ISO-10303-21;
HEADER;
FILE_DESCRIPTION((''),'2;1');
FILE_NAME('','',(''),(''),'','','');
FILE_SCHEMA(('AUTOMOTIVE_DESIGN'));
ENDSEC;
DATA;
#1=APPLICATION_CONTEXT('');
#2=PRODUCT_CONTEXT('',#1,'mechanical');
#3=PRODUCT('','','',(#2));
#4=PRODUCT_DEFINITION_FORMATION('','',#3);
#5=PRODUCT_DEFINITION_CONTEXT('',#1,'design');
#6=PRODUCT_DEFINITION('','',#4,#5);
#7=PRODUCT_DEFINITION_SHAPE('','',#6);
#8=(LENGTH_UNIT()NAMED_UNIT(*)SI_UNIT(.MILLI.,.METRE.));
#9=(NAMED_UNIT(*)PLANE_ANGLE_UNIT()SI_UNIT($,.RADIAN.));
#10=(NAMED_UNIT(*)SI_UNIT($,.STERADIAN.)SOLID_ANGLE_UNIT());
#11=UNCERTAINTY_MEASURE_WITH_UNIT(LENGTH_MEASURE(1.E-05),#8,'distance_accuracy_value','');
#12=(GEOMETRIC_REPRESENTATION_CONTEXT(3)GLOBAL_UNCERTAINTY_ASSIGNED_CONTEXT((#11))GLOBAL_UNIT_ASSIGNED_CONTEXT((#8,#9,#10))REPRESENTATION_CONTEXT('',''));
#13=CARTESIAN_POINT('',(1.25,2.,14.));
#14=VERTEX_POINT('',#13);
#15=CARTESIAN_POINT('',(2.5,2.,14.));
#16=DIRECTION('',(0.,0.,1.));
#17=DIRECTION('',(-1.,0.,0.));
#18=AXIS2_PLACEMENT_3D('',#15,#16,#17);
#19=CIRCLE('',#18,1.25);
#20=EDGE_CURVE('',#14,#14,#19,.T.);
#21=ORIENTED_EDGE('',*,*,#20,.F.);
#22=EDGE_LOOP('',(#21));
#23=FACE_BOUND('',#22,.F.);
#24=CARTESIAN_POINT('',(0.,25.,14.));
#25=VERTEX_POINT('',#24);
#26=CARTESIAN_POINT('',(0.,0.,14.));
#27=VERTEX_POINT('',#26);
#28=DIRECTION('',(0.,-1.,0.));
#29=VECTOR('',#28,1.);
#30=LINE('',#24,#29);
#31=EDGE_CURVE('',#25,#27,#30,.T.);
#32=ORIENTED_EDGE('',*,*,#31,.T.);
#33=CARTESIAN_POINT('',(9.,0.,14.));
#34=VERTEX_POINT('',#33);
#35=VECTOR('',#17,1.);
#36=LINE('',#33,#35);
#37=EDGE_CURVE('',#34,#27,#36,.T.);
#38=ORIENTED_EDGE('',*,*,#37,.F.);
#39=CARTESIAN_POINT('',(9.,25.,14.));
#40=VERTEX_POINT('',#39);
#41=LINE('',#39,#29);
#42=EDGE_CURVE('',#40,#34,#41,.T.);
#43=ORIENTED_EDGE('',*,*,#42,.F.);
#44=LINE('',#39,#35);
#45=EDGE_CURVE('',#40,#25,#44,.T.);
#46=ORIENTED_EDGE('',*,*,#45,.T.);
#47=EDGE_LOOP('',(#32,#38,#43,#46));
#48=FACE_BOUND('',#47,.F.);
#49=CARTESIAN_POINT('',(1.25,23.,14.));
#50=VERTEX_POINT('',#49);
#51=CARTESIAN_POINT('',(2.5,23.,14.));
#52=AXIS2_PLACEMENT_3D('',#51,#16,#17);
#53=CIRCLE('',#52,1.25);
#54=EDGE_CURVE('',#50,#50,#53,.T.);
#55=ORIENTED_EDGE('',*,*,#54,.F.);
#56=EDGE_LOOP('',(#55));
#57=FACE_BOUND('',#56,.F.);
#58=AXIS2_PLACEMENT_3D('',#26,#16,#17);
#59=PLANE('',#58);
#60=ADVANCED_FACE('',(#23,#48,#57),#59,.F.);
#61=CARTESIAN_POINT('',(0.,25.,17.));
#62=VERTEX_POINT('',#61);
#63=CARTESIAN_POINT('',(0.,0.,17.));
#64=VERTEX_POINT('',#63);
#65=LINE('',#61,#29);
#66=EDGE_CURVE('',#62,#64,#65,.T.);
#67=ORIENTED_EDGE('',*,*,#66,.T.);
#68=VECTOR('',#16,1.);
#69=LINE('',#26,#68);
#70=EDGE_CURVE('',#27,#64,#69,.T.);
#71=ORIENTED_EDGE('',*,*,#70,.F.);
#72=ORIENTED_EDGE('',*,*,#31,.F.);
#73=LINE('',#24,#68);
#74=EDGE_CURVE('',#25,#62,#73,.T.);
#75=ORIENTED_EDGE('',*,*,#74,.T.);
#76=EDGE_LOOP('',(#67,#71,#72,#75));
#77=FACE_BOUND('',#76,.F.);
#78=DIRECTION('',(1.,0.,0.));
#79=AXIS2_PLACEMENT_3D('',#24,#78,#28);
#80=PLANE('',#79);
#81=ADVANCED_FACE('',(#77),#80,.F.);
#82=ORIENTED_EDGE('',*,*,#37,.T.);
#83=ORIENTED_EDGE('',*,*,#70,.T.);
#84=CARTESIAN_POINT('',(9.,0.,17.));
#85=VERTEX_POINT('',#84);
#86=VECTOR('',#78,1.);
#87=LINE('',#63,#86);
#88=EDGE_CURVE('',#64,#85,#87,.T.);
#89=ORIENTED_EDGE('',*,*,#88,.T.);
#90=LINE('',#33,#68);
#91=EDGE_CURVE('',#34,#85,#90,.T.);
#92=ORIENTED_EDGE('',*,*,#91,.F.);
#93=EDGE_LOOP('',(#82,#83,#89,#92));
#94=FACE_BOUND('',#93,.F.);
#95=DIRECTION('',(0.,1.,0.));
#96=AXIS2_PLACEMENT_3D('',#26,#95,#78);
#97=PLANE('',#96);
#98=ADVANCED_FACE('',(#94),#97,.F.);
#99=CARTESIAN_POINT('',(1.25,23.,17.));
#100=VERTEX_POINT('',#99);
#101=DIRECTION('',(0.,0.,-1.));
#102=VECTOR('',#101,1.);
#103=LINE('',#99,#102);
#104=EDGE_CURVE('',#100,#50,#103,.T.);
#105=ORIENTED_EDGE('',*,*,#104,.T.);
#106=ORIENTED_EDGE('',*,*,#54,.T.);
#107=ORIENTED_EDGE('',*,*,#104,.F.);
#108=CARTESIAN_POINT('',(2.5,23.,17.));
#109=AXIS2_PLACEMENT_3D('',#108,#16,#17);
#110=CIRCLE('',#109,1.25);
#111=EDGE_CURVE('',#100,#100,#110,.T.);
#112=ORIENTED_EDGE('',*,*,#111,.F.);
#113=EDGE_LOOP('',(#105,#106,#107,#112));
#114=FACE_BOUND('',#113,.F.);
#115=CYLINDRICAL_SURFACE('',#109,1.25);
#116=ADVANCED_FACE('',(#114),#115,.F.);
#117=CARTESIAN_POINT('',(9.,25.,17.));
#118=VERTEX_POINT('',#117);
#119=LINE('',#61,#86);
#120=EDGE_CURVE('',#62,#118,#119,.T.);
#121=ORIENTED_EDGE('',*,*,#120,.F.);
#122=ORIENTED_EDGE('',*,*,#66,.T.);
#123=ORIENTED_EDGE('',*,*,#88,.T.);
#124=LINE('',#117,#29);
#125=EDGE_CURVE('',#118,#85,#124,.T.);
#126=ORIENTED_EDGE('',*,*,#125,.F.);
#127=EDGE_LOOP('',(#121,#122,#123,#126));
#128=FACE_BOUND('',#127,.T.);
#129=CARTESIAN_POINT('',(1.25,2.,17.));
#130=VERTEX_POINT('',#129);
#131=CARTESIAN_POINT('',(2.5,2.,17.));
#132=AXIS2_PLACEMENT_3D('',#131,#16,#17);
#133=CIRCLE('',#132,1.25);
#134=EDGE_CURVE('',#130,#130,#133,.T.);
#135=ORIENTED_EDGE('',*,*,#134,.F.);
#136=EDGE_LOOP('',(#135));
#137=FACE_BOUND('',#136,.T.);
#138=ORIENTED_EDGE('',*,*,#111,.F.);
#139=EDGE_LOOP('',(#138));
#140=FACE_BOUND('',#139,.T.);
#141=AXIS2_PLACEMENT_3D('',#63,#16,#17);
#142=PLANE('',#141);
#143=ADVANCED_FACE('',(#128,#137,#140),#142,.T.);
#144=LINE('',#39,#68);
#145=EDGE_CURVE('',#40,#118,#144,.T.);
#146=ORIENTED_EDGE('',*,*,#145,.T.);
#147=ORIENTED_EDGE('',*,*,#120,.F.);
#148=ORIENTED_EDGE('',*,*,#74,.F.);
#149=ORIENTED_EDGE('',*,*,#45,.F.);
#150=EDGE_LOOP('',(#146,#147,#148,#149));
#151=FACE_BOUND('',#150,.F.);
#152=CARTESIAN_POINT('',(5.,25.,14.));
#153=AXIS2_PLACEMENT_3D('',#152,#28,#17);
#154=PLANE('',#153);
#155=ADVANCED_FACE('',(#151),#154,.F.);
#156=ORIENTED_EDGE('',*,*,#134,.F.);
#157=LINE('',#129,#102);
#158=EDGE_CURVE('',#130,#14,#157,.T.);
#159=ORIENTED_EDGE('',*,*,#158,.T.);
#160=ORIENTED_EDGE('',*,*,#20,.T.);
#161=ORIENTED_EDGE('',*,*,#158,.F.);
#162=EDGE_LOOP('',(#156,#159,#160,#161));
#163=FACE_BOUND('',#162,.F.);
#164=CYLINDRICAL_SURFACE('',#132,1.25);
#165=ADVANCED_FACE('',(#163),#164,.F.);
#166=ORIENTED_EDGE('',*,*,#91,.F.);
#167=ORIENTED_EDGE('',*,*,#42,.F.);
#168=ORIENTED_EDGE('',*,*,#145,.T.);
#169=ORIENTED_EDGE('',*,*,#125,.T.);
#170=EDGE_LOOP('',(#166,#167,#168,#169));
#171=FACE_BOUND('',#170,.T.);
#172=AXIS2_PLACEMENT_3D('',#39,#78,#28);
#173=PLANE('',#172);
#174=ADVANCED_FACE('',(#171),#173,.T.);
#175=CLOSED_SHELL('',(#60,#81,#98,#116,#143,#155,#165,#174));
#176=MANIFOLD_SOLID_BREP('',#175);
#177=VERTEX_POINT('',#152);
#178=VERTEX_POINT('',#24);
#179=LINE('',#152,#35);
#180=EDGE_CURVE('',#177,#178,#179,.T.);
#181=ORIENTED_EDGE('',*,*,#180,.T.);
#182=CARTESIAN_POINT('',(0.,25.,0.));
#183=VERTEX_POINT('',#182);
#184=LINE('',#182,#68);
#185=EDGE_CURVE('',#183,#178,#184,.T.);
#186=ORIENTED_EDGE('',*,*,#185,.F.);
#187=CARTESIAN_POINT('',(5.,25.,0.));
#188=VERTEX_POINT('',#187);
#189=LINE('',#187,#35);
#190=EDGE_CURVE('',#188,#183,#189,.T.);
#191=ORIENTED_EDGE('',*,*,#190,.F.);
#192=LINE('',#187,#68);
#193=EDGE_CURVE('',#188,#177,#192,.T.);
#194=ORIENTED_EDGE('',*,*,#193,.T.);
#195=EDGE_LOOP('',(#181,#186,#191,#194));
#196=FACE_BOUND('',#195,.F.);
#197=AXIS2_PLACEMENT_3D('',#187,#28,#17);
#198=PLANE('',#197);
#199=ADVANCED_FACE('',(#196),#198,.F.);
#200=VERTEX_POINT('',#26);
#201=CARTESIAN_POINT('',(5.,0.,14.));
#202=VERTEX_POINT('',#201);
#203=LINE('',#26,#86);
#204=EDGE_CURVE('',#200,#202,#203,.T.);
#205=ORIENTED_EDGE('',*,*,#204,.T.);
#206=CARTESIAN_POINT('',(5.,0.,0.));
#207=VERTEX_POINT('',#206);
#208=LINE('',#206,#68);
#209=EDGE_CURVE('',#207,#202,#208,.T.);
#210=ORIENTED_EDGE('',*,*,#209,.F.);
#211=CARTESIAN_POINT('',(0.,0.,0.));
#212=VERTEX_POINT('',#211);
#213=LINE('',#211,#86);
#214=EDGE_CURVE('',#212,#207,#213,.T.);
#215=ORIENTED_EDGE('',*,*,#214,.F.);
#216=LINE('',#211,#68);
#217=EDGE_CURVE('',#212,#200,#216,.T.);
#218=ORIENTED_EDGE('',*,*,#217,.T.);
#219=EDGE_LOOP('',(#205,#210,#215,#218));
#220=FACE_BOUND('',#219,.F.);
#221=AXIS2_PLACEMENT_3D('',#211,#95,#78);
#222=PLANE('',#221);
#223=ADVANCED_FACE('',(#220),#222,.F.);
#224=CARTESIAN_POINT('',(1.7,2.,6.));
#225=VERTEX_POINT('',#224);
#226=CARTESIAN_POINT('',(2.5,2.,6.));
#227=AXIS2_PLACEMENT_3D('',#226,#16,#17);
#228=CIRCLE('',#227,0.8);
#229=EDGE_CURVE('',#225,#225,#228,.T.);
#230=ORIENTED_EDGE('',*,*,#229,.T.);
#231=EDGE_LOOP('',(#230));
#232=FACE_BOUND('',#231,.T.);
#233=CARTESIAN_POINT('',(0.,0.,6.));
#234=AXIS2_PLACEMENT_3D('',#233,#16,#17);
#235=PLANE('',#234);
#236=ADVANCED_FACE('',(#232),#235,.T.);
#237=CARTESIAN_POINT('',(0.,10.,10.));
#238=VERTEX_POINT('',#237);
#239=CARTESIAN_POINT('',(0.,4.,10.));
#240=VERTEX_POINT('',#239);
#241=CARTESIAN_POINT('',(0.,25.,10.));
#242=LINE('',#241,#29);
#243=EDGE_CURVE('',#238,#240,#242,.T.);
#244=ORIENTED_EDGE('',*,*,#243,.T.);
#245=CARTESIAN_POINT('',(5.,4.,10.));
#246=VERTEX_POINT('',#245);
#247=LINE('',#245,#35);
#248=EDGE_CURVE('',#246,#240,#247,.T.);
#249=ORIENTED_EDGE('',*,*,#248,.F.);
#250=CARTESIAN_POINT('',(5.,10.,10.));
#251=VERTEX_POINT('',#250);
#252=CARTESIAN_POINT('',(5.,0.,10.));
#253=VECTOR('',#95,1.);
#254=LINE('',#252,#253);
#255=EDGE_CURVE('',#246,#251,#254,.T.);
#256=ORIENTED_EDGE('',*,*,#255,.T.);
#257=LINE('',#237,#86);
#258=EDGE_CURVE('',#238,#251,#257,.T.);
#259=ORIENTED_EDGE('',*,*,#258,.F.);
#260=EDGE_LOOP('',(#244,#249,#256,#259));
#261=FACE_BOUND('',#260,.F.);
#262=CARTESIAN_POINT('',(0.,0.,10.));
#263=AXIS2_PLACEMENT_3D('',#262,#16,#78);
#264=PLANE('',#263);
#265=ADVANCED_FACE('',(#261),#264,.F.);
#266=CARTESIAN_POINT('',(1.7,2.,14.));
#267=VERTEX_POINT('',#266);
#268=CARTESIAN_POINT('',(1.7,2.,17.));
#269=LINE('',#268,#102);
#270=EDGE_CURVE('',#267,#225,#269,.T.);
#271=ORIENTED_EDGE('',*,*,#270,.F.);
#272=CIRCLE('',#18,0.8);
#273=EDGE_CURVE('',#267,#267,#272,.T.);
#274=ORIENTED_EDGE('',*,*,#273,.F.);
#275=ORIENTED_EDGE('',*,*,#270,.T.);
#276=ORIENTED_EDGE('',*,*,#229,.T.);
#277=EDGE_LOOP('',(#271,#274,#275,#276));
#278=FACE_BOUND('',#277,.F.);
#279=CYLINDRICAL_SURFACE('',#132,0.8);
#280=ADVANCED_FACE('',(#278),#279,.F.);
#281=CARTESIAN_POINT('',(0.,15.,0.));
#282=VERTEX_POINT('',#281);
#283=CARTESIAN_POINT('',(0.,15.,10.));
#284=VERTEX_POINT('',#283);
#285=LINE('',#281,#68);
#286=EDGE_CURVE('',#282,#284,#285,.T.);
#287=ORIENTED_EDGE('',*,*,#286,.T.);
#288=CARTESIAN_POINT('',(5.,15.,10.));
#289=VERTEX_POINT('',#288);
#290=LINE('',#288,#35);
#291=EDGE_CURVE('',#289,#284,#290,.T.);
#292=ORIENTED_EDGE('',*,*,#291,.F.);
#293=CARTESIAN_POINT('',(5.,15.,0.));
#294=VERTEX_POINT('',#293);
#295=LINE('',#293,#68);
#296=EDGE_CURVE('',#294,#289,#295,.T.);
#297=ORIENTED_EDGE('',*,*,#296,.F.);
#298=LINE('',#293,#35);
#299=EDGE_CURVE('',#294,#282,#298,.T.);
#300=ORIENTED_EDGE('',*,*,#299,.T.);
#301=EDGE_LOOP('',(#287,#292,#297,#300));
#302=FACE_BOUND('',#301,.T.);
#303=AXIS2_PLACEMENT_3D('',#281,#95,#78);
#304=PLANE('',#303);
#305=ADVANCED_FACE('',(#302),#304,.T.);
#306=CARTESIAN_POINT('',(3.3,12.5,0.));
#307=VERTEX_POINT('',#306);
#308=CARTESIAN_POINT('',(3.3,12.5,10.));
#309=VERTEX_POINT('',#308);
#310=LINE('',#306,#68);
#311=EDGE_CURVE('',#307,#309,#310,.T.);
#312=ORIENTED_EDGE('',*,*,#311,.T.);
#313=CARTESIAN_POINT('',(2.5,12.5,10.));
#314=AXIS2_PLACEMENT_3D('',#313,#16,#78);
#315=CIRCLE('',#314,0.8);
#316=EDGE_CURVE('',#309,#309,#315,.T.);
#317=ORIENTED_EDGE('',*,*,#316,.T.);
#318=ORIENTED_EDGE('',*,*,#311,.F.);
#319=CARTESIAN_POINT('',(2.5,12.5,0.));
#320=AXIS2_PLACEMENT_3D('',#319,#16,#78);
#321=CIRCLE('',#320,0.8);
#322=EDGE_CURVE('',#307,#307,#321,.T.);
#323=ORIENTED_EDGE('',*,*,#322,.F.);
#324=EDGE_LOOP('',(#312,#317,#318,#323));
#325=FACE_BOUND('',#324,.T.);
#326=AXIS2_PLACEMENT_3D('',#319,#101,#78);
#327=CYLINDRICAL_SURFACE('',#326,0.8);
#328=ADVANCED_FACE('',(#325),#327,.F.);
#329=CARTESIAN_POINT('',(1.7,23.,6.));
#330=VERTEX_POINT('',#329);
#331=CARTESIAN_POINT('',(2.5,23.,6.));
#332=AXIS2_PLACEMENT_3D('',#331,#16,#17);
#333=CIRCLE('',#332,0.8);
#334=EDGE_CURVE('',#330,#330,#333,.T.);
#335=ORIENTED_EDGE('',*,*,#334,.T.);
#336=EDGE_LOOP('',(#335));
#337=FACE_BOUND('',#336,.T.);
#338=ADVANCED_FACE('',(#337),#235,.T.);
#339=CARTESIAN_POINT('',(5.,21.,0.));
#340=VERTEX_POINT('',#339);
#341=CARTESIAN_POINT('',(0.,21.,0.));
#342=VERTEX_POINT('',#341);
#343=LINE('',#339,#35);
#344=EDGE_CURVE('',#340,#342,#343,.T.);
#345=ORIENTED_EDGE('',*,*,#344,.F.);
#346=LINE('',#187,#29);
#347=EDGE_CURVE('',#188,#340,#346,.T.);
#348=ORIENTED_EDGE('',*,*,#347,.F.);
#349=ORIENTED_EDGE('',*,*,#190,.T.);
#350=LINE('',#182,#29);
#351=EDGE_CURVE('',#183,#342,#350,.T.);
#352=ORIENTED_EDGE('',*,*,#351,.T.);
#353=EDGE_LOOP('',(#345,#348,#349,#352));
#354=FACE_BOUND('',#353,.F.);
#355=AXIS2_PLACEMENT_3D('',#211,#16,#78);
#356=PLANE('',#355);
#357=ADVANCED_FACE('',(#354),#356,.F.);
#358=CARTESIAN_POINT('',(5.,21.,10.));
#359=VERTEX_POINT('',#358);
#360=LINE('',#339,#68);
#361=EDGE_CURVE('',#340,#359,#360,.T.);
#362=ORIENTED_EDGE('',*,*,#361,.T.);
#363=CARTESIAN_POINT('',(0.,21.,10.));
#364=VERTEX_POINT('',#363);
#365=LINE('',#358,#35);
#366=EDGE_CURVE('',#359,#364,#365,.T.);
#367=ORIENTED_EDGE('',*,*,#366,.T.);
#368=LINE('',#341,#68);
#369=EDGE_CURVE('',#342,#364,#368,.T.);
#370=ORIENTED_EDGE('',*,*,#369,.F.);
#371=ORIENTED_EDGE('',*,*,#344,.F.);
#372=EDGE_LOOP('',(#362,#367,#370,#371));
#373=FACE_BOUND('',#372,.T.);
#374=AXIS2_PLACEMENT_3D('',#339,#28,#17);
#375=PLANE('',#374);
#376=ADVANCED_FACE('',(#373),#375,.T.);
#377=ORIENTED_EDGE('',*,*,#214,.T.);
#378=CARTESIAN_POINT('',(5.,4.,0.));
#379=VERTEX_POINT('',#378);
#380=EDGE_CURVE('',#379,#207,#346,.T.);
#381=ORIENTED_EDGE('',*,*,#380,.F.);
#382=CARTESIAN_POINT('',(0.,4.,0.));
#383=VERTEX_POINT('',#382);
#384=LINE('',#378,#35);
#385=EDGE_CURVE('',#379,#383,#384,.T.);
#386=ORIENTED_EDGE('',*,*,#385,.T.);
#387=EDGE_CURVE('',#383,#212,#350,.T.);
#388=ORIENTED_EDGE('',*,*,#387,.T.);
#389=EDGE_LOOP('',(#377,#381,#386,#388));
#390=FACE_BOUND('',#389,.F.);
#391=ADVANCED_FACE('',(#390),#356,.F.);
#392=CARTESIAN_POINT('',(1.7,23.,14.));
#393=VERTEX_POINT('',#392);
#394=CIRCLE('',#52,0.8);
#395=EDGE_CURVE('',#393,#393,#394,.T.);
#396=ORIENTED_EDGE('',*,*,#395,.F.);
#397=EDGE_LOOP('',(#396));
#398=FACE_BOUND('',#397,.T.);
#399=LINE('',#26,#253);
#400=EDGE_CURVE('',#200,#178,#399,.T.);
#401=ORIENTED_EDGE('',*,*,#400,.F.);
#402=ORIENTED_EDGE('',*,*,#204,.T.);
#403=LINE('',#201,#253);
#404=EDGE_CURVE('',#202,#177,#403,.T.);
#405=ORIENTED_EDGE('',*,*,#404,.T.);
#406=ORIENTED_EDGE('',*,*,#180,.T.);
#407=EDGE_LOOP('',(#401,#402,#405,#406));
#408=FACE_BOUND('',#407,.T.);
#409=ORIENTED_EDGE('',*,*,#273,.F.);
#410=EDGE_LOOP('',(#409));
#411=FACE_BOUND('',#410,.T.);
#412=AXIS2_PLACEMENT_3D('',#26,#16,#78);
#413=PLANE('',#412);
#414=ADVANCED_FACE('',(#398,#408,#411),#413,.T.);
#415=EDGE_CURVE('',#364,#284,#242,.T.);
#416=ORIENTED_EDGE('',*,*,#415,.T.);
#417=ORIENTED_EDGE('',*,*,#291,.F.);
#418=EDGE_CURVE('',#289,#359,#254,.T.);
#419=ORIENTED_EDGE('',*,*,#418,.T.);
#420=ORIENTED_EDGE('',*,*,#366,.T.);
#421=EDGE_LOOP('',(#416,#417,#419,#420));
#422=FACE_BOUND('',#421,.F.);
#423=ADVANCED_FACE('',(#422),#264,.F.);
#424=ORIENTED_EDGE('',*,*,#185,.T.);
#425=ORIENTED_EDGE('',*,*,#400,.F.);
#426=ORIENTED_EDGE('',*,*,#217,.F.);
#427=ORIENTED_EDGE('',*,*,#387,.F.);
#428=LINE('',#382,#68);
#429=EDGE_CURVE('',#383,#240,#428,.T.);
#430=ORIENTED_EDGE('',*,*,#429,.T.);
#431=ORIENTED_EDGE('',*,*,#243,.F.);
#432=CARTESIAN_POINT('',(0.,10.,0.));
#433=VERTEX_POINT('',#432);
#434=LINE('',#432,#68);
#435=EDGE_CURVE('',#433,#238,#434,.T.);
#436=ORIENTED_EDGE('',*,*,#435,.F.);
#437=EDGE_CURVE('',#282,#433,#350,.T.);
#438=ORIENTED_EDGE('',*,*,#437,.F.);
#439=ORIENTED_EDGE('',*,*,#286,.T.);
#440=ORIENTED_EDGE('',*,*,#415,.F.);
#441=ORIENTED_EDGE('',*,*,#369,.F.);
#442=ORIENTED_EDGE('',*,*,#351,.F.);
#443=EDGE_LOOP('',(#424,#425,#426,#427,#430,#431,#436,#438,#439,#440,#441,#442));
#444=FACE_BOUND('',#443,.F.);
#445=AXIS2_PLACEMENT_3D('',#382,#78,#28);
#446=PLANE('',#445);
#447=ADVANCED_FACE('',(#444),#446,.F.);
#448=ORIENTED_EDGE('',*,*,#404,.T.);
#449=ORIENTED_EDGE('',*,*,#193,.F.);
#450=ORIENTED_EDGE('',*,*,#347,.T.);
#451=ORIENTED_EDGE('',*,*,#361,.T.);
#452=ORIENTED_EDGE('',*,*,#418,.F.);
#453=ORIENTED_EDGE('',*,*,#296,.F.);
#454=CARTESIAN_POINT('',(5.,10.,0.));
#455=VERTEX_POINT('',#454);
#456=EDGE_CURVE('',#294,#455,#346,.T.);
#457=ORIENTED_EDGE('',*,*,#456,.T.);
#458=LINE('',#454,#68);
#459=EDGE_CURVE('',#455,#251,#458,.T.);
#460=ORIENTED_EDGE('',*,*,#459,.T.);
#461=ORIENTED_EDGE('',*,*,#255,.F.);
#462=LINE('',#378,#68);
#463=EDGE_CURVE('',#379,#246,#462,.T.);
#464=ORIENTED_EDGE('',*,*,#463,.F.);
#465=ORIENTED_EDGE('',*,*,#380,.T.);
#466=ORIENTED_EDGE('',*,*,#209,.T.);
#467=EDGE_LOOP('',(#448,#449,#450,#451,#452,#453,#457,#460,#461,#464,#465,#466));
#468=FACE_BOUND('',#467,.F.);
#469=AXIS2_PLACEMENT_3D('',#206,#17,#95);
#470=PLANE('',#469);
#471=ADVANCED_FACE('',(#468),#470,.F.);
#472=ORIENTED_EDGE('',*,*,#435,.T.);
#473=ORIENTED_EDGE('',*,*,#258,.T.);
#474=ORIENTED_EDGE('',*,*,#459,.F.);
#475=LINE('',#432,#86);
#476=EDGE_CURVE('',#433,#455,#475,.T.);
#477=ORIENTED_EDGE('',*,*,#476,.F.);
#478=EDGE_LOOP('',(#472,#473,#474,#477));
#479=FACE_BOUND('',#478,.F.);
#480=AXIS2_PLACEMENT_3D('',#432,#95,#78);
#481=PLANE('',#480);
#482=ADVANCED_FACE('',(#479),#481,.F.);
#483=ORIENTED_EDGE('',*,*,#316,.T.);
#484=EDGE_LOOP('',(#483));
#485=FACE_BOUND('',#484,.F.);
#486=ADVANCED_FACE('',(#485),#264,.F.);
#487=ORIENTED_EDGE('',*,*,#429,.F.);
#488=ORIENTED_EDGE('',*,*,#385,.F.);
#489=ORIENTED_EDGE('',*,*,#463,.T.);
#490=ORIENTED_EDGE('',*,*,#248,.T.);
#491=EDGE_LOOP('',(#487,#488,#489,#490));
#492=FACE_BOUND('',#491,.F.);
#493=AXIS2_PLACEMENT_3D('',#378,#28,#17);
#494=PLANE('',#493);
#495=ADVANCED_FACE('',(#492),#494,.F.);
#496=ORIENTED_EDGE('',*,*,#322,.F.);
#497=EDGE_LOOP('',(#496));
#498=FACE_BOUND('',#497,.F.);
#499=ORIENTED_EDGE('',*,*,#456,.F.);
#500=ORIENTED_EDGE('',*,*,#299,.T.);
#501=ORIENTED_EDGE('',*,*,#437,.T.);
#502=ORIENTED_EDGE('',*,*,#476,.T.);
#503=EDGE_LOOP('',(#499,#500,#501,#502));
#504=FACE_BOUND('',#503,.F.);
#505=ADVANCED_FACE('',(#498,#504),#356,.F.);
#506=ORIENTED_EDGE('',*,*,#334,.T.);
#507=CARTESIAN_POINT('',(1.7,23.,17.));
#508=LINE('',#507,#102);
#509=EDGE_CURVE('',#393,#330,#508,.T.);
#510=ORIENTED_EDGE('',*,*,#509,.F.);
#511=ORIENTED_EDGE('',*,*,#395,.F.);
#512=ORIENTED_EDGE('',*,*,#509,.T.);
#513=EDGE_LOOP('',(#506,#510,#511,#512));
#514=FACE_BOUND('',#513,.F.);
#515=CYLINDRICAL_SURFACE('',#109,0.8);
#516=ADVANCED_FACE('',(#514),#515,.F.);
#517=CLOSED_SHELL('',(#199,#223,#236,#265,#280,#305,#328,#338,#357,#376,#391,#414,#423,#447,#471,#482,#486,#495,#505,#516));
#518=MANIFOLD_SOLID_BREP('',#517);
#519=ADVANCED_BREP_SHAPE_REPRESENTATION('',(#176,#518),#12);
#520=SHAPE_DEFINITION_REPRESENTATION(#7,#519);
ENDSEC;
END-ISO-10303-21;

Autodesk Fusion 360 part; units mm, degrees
sketch "Sketch1" plane through (0, 0, 0) normal (0, 0, 1) x (1, 0, 0)
  line L0 (0, 0) -> (5, 0)
  line L1 (5, 0) -> (5, 25)
  line L2 (5, 25) -> (0, 25)
  line L3 (0, 25) -> (0, 0)
  circle A0 centre (2.5, 12.5) radius 0.8
  line L4 (0, 10) -> (5, 10)
  line L5 (5, 10) -> (5, 4)
  line L6 (5, 4) -> (0, 4)
  line L7 (0, 4) -> (0, 10)
  line L8 (0, 15) -> (3, 15)
  line L9 (3, 15) -> (3, 14)
  line L10 (3, 14) -> (0, 14)
  line L11 (0, 14) -> (0, 15)
  line L12 (0, 15) -> (5, 15)
  line L13 (5, 15) -> (5, 21)
  line L14 (5, 21) -> (0, 21)
  line L15 (0, 21) -> (0, 15)
  dimension "d1" = 5
  dimension "d2" = 25
  dimension "d3" = 1.6
  dimension "d8" = 6
  dimension "d9" = 6
extrude "Extrude1" add sketch "Sketch1" along normal blind 14 contours L0 L1 L3 L6 | L1 L3 L4 L5 L6 L7 | L1 L3 L4 L9 L10 L12 | L3 L8 L9 L10 L11 L12 | L1 L3 L8 L12 L13 L14 L15 | L1 L2 L3 L14 | A0 makes body 1
extrude "Extrude2" cut sketch "Sketch1" along normal blind 10 contours A0 bodies 1
extrude "Extrude3" cut sketch "Sketch1" along normal blind 10 contours L1 L3 L8 L12 L13 L14 L15 bodies 1
extrude "Extrude4" cut sketch "Sketch1" along normal blind 10 contours L1 L3 L4 L5 L6 L7 bodies 1
sketch "Sketch2" plane through (0, 0, 14) normal (0, 0, 1) x (-1, 0, 0)
  line L0 (0, -25) -> (0, 0)
  line L1 (0, 0) -> (-5, 0)
  line L2 (-5, 0) -> (-5, -25)
  line L3 (-5, -25) -> (0, -25)
  line L4 (0, -25) -> (-9, -25)
  line L5 (-9, -25) -> (-9, 0)
  line L6 (-9, 0) -> (0, 0)
  line L7 (0, 0) -> (0, -25)
extrude "Extrude5" add sketch "Sketch2" along normal blind 3 separate body makes body 2
sketch "Sketch3" plane through (0, 0, 17) normal (0, 0, 1) x (-1, 0, 0)
  line L0 (0, 0) -> (-9, 0)
  line L1 (-9, 0) -> (-9, -25)
  line L2 (-9, -25) -> (0, -25)
  line L3 (0, -25) -> (0, 0)
  line L4 (0, 0) -> (-5, 0)
  circle A0 centre (-2.5, -2) radius 0.8
  line L5 (-5, -25) -> (0, -25)
  circle A1 centre (-2.5, -23) radius 0.8
  circle A2 centre (-2.5, -2) radius 1.25
  circle A3 centre (-2.5, -23) radius 1.25
  dimension "d16" = 1.6
  dimension "d18" = 1.6
  dimension "d21" = 2.5
  dimension "d22" = 2.5
extrude "Extrude6" cut sketch "Sketch3" against normal blind 11 contours A0 | A1 bodies 1 2
extrude "Extrude7" cut sketch "Sketch3" against normal blind 3 contours A1 | A2 bodies 2
extrude "Extrude8" cut sketch "Sketch3" against normal blind 3 contours A3 bodies 2
extrude "Extrude9" add sketch "Sketch3" against normal blind 3 contours A3 bodies 2
extrude "Extrude10" cut sketch "Sketch3" against normal blind 3 contours A3 bodies 2
